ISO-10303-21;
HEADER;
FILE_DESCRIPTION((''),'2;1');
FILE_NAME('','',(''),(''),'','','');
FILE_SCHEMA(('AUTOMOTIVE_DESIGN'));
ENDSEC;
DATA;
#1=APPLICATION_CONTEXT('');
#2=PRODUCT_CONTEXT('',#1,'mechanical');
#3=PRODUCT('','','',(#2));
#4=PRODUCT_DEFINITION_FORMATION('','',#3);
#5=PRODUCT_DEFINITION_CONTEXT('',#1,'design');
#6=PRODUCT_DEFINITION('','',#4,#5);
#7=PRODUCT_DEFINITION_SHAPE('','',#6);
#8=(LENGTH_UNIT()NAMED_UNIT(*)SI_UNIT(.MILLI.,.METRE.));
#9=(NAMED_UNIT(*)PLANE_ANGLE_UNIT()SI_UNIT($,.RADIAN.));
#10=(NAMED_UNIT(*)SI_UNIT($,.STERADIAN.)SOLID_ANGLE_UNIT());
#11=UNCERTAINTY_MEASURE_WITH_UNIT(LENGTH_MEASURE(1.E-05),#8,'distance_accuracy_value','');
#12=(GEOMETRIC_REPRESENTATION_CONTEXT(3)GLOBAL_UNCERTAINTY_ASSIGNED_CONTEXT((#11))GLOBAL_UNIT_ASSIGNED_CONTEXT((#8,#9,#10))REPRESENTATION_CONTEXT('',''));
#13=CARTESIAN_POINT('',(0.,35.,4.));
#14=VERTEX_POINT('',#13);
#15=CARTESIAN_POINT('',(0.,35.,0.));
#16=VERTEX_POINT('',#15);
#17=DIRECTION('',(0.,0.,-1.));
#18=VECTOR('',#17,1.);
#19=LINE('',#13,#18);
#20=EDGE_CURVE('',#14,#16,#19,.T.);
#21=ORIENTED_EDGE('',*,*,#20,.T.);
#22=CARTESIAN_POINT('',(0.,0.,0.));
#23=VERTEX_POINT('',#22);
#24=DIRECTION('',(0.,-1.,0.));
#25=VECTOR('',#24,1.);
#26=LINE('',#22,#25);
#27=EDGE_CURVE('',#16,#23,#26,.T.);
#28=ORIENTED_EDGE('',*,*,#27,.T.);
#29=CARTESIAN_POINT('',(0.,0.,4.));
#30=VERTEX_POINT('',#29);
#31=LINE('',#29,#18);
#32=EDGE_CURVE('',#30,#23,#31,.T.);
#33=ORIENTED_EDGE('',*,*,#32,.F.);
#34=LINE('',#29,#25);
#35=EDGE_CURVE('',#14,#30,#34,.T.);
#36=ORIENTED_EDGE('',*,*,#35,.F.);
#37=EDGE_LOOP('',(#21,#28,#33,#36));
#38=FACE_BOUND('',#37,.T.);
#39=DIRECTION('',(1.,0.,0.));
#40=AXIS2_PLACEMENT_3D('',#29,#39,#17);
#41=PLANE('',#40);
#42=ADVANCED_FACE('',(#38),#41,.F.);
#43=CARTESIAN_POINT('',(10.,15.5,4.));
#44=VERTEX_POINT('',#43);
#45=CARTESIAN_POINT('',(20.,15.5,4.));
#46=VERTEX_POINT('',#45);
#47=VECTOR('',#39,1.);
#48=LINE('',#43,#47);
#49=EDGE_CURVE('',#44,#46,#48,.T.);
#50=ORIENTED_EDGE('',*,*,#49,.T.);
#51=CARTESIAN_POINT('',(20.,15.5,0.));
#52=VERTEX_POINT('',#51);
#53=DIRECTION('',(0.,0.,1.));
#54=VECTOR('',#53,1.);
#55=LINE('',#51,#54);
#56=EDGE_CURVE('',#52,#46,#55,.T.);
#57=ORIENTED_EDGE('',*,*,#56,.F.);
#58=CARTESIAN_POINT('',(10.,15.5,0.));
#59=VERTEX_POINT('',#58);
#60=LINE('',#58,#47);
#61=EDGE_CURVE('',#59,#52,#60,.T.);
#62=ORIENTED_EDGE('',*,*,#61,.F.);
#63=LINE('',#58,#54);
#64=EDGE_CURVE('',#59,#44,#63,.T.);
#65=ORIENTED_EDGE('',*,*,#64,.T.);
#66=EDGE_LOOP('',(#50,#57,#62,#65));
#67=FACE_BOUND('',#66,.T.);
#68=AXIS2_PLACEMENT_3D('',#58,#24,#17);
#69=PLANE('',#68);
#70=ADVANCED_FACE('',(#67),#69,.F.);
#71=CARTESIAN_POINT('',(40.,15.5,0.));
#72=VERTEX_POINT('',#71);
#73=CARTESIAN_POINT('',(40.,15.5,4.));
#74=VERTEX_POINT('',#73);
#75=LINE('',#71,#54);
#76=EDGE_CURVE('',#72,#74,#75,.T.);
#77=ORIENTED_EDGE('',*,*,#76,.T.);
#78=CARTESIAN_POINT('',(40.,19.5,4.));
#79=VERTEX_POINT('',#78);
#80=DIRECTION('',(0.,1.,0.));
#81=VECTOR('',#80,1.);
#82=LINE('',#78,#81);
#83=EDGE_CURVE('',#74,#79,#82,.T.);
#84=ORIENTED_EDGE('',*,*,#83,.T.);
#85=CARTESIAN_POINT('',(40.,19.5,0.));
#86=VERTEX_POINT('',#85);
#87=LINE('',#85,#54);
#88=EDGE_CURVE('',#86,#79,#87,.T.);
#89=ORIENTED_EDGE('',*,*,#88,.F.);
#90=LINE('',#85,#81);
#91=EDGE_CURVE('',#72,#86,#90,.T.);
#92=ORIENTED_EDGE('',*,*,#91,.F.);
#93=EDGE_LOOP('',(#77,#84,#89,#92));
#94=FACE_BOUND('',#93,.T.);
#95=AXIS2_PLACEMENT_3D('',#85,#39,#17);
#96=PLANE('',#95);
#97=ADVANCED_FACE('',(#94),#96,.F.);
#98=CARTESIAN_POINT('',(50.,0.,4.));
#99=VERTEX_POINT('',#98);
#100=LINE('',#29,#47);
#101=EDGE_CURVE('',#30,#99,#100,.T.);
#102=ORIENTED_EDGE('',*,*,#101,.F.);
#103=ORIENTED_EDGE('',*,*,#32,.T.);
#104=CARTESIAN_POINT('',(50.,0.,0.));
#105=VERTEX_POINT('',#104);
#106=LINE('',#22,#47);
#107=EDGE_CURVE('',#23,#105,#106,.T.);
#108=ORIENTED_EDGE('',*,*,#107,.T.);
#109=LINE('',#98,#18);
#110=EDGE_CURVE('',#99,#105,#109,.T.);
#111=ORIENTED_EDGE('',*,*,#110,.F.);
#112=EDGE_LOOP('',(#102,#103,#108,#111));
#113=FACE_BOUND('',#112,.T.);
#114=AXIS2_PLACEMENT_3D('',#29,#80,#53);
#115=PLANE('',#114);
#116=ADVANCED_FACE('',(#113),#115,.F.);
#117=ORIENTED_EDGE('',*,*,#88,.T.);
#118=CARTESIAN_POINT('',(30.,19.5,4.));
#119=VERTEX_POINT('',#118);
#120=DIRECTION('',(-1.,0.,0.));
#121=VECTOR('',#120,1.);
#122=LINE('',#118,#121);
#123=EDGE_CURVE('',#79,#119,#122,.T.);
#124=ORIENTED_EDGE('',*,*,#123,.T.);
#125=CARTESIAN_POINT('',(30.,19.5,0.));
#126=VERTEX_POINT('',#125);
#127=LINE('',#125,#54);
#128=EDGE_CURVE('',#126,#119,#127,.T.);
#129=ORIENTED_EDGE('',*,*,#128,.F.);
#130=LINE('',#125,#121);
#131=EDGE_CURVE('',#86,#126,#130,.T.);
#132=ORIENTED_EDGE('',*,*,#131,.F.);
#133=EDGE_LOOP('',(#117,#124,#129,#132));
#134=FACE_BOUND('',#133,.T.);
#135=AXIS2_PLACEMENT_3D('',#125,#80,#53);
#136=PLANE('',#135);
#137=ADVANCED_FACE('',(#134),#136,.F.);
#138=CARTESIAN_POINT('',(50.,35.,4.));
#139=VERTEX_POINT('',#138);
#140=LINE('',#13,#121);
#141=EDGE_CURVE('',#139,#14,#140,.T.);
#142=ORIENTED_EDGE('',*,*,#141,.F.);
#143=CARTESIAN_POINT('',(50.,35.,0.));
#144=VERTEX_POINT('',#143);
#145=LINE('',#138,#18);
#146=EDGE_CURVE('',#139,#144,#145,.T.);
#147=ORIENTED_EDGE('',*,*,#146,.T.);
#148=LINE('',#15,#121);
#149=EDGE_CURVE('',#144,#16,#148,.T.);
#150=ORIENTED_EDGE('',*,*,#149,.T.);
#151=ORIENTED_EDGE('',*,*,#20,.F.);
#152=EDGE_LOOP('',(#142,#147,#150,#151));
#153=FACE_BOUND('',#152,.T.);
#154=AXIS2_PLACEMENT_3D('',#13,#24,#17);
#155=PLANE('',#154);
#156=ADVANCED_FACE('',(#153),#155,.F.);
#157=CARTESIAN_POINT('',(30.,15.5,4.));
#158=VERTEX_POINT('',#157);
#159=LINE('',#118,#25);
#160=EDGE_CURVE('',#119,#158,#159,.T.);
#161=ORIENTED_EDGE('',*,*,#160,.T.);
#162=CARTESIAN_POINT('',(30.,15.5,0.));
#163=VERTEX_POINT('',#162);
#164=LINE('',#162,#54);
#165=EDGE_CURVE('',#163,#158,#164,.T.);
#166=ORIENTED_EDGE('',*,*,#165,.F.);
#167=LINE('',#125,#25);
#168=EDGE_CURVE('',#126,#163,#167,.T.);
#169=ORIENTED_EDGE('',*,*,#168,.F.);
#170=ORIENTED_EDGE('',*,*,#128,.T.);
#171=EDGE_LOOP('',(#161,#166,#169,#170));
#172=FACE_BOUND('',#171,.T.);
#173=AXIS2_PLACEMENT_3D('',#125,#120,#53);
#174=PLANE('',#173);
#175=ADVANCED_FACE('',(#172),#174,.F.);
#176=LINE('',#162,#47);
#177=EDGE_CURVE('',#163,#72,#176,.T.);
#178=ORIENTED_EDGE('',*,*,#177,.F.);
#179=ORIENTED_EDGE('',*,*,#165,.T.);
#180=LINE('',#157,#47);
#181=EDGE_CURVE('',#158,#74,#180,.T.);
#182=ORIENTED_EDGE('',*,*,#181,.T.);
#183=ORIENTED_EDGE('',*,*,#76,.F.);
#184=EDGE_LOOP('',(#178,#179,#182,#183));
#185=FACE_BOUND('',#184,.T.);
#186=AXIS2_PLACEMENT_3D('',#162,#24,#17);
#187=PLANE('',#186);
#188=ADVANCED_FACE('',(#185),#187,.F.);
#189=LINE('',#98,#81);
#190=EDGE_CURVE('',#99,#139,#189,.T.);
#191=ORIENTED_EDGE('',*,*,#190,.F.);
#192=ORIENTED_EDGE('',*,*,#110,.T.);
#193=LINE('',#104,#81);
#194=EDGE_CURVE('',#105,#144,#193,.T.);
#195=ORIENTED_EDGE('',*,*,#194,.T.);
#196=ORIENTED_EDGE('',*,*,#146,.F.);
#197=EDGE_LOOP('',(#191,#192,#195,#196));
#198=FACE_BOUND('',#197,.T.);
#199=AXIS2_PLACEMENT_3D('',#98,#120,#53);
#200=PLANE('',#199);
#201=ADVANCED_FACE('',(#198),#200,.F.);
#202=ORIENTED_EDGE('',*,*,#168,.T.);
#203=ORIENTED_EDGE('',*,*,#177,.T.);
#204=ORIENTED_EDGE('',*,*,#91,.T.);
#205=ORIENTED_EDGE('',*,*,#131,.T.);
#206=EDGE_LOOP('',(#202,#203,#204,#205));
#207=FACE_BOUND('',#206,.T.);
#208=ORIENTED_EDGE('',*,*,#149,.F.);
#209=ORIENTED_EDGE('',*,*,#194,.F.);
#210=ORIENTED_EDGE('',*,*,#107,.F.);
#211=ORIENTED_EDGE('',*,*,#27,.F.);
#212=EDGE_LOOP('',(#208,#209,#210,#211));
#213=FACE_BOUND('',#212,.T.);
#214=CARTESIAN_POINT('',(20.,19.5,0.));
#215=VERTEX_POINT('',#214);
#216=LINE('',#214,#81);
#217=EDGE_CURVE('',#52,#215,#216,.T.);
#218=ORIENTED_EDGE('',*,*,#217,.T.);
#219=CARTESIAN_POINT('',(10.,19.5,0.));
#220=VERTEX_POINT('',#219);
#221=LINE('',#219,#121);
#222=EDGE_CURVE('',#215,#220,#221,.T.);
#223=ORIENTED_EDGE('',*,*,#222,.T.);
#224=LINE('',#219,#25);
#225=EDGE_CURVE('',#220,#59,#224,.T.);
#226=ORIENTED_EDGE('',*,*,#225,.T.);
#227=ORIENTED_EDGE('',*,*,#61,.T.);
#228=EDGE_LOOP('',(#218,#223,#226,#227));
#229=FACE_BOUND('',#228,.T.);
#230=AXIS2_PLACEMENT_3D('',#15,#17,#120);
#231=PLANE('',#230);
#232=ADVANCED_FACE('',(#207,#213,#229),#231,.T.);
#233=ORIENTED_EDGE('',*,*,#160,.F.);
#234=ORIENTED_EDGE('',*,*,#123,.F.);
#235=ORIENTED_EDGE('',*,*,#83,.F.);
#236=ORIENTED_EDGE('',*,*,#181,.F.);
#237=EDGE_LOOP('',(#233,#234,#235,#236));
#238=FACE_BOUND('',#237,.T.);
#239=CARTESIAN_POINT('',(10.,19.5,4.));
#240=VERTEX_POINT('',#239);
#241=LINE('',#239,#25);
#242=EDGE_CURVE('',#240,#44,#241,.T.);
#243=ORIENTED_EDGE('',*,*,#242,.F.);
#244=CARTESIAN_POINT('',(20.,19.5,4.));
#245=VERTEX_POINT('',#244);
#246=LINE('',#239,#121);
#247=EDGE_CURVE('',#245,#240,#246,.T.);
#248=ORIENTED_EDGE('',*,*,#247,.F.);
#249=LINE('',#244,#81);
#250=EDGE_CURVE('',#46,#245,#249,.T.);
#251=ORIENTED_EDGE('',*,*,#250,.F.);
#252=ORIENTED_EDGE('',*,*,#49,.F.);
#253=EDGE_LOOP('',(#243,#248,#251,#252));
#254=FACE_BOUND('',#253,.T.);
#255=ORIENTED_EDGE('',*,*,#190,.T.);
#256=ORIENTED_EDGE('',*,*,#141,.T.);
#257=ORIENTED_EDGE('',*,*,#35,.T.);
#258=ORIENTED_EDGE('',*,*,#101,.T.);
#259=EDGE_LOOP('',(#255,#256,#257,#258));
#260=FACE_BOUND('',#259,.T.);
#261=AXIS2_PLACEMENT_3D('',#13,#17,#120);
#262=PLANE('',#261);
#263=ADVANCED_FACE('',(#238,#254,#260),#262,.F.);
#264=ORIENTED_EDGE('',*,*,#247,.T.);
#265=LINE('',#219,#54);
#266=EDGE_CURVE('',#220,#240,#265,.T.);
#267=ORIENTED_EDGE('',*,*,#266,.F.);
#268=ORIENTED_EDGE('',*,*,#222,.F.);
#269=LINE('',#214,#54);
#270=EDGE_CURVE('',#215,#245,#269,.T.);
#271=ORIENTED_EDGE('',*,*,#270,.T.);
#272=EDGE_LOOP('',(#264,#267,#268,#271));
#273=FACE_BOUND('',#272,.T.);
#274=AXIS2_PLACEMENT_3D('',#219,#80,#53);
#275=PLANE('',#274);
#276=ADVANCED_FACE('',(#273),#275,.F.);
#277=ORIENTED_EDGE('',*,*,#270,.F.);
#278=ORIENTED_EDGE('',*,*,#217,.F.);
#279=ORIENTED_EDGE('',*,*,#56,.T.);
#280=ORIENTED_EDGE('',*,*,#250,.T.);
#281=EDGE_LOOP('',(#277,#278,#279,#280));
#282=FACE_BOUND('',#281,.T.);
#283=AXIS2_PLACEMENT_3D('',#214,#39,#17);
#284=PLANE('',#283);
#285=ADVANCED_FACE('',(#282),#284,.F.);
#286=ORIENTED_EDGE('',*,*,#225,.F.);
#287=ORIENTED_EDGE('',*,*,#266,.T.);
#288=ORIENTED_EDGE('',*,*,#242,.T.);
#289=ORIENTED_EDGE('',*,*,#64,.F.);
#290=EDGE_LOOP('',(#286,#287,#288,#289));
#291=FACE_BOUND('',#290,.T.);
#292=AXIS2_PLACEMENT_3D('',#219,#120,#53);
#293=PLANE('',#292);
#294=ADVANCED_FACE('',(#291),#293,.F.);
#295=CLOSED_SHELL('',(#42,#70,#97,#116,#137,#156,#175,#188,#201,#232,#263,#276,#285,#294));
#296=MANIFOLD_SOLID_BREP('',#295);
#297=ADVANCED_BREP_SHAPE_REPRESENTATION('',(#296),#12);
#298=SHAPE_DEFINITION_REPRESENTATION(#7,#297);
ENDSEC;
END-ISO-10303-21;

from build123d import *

# Parameters (mm, degrees)
SKETCH1_W           = 50
SKETCH1_H           = 35
BOSS_EXTRUDE1_DEPTH = 4
SKETCH2_W           = 10
SKETCH2_H           = 4
CUT_EXTRUDE1_DEPTH  = 4


with BuildPart() as part:
    # Sketch1 → Boss-Extrude1 (new body)
    with BuildSketch(Plane.XY):
        with Locations((25, 17.5)):
            Rectangle(SKETCH1_W, SKETCH1_H)
    extrude(amount=BOSS_EXTRUDE1_DEPTH)

    # Sketch2 → Cut-Extrude1 (cut)
    with BuildSketch(Plane.XY.offset(4)):
        with Locations((15, 17.5)):
            Rectangle(SKETCH2_W, SKETCH2_H)
        with Locations((35, 17.5)):
            Rectangle(SKETCH2_W, SKETCH2_H)
    extrude(amount=-CUT_EXTRUDE1_DEPTH, mode=Mode.SUBTRACT)


solid = part.part
